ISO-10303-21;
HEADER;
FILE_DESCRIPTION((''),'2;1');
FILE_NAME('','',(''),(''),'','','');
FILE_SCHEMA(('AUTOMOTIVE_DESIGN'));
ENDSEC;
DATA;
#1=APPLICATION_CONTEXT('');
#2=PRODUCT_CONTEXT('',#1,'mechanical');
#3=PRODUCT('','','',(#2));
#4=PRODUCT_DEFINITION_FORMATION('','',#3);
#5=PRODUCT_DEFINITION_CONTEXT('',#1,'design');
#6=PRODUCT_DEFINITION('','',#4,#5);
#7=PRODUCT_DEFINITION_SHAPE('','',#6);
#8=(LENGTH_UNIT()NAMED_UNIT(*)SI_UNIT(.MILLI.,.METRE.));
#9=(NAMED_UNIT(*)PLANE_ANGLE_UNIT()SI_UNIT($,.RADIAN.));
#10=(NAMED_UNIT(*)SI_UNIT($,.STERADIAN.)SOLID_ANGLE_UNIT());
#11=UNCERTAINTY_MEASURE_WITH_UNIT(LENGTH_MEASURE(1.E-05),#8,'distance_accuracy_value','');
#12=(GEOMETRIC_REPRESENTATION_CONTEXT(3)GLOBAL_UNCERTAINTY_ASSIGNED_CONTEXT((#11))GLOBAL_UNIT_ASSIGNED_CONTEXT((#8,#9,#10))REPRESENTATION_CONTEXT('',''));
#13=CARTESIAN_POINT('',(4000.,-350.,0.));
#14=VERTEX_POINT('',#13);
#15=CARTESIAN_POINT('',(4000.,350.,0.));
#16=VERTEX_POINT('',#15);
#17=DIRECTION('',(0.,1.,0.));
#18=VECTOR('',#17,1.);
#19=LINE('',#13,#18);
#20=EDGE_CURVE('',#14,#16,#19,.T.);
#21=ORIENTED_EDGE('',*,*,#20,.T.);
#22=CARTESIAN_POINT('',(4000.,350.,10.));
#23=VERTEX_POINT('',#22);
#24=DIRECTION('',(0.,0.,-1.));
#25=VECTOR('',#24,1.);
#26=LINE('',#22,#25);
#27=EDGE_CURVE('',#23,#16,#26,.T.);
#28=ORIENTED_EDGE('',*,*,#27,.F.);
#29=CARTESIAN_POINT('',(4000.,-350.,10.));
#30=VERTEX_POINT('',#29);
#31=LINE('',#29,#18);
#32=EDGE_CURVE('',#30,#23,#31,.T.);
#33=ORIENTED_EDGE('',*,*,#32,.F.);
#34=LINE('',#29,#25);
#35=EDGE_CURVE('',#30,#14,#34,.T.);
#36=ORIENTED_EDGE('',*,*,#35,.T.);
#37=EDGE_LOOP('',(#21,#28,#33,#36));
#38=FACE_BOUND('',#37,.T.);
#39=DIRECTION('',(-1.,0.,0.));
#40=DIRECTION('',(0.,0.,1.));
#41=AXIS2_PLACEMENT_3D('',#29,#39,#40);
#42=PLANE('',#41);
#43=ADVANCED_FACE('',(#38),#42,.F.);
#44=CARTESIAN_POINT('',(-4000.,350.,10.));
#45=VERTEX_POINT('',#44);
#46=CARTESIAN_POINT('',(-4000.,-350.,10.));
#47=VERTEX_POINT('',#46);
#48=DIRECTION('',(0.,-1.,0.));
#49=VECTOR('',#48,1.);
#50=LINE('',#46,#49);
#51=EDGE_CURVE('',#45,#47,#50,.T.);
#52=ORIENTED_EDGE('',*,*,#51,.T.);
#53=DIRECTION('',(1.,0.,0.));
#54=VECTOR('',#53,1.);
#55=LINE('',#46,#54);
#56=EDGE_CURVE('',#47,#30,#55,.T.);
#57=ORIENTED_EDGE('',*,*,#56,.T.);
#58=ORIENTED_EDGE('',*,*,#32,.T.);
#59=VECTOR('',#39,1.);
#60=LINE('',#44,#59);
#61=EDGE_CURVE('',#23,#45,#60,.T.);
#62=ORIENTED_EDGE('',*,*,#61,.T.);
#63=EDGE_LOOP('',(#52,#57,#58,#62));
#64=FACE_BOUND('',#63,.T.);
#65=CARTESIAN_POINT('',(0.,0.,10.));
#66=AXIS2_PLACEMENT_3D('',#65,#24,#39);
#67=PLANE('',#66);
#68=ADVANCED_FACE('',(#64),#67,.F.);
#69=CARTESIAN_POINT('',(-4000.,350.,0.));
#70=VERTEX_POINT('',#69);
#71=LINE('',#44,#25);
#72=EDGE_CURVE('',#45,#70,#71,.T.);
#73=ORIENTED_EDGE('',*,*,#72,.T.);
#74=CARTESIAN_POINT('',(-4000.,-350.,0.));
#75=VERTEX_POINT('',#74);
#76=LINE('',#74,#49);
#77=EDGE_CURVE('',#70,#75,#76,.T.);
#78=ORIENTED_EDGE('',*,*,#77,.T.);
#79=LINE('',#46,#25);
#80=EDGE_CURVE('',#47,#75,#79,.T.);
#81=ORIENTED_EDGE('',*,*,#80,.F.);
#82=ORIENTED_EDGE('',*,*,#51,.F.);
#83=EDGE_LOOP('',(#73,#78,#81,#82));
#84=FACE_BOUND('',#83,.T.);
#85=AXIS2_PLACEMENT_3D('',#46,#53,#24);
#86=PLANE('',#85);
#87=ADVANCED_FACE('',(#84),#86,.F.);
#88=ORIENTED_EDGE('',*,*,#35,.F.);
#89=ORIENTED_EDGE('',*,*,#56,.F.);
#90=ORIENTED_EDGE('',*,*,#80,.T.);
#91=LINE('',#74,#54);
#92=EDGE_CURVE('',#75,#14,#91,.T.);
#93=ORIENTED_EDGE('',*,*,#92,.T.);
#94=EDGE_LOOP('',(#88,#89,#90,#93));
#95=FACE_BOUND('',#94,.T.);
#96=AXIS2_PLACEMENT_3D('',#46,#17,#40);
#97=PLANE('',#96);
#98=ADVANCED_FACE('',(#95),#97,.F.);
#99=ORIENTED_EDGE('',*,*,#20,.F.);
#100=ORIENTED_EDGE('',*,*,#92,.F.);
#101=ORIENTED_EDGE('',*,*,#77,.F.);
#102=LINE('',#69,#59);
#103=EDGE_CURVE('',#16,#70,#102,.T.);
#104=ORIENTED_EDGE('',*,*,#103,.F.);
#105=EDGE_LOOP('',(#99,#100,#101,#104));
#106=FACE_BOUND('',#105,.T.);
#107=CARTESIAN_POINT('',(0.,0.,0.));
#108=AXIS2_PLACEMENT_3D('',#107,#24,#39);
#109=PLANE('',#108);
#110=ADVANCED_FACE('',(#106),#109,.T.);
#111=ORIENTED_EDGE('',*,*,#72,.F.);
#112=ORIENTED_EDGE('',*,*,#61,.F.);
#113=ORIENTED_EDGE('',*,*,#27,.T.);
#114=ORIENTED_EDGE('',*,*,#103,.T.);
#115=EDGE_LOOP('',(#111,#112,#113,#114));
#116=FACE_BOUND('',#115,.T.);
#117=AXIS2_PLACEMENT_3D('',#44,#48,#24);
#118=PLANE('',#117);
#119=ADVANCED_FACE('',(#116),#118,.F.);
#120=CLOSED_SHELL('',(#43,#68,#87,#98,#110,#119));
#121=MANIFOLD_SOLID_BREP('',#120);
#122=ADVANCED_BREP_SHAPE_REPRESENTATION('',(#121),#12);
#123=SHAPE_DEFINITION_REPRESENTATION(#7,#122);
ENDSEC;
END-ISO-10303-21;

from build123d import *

# Parameters (mm, degrees)
SKETCH_1_W      = 8000
SKETCH_1_H      = 700
EXTRUDE_1_DEPTH = 10


with BuildPart() as part:
    # 草图1 → 凸台-拉伸1 (new body)
    with BuildSketch(Plane.XY):
        Rectangle(SKETCH_1_W, SKETCH_1_H)
    extrude(amount=EXTRUDE_1_DEPTH)


solid = part.part
